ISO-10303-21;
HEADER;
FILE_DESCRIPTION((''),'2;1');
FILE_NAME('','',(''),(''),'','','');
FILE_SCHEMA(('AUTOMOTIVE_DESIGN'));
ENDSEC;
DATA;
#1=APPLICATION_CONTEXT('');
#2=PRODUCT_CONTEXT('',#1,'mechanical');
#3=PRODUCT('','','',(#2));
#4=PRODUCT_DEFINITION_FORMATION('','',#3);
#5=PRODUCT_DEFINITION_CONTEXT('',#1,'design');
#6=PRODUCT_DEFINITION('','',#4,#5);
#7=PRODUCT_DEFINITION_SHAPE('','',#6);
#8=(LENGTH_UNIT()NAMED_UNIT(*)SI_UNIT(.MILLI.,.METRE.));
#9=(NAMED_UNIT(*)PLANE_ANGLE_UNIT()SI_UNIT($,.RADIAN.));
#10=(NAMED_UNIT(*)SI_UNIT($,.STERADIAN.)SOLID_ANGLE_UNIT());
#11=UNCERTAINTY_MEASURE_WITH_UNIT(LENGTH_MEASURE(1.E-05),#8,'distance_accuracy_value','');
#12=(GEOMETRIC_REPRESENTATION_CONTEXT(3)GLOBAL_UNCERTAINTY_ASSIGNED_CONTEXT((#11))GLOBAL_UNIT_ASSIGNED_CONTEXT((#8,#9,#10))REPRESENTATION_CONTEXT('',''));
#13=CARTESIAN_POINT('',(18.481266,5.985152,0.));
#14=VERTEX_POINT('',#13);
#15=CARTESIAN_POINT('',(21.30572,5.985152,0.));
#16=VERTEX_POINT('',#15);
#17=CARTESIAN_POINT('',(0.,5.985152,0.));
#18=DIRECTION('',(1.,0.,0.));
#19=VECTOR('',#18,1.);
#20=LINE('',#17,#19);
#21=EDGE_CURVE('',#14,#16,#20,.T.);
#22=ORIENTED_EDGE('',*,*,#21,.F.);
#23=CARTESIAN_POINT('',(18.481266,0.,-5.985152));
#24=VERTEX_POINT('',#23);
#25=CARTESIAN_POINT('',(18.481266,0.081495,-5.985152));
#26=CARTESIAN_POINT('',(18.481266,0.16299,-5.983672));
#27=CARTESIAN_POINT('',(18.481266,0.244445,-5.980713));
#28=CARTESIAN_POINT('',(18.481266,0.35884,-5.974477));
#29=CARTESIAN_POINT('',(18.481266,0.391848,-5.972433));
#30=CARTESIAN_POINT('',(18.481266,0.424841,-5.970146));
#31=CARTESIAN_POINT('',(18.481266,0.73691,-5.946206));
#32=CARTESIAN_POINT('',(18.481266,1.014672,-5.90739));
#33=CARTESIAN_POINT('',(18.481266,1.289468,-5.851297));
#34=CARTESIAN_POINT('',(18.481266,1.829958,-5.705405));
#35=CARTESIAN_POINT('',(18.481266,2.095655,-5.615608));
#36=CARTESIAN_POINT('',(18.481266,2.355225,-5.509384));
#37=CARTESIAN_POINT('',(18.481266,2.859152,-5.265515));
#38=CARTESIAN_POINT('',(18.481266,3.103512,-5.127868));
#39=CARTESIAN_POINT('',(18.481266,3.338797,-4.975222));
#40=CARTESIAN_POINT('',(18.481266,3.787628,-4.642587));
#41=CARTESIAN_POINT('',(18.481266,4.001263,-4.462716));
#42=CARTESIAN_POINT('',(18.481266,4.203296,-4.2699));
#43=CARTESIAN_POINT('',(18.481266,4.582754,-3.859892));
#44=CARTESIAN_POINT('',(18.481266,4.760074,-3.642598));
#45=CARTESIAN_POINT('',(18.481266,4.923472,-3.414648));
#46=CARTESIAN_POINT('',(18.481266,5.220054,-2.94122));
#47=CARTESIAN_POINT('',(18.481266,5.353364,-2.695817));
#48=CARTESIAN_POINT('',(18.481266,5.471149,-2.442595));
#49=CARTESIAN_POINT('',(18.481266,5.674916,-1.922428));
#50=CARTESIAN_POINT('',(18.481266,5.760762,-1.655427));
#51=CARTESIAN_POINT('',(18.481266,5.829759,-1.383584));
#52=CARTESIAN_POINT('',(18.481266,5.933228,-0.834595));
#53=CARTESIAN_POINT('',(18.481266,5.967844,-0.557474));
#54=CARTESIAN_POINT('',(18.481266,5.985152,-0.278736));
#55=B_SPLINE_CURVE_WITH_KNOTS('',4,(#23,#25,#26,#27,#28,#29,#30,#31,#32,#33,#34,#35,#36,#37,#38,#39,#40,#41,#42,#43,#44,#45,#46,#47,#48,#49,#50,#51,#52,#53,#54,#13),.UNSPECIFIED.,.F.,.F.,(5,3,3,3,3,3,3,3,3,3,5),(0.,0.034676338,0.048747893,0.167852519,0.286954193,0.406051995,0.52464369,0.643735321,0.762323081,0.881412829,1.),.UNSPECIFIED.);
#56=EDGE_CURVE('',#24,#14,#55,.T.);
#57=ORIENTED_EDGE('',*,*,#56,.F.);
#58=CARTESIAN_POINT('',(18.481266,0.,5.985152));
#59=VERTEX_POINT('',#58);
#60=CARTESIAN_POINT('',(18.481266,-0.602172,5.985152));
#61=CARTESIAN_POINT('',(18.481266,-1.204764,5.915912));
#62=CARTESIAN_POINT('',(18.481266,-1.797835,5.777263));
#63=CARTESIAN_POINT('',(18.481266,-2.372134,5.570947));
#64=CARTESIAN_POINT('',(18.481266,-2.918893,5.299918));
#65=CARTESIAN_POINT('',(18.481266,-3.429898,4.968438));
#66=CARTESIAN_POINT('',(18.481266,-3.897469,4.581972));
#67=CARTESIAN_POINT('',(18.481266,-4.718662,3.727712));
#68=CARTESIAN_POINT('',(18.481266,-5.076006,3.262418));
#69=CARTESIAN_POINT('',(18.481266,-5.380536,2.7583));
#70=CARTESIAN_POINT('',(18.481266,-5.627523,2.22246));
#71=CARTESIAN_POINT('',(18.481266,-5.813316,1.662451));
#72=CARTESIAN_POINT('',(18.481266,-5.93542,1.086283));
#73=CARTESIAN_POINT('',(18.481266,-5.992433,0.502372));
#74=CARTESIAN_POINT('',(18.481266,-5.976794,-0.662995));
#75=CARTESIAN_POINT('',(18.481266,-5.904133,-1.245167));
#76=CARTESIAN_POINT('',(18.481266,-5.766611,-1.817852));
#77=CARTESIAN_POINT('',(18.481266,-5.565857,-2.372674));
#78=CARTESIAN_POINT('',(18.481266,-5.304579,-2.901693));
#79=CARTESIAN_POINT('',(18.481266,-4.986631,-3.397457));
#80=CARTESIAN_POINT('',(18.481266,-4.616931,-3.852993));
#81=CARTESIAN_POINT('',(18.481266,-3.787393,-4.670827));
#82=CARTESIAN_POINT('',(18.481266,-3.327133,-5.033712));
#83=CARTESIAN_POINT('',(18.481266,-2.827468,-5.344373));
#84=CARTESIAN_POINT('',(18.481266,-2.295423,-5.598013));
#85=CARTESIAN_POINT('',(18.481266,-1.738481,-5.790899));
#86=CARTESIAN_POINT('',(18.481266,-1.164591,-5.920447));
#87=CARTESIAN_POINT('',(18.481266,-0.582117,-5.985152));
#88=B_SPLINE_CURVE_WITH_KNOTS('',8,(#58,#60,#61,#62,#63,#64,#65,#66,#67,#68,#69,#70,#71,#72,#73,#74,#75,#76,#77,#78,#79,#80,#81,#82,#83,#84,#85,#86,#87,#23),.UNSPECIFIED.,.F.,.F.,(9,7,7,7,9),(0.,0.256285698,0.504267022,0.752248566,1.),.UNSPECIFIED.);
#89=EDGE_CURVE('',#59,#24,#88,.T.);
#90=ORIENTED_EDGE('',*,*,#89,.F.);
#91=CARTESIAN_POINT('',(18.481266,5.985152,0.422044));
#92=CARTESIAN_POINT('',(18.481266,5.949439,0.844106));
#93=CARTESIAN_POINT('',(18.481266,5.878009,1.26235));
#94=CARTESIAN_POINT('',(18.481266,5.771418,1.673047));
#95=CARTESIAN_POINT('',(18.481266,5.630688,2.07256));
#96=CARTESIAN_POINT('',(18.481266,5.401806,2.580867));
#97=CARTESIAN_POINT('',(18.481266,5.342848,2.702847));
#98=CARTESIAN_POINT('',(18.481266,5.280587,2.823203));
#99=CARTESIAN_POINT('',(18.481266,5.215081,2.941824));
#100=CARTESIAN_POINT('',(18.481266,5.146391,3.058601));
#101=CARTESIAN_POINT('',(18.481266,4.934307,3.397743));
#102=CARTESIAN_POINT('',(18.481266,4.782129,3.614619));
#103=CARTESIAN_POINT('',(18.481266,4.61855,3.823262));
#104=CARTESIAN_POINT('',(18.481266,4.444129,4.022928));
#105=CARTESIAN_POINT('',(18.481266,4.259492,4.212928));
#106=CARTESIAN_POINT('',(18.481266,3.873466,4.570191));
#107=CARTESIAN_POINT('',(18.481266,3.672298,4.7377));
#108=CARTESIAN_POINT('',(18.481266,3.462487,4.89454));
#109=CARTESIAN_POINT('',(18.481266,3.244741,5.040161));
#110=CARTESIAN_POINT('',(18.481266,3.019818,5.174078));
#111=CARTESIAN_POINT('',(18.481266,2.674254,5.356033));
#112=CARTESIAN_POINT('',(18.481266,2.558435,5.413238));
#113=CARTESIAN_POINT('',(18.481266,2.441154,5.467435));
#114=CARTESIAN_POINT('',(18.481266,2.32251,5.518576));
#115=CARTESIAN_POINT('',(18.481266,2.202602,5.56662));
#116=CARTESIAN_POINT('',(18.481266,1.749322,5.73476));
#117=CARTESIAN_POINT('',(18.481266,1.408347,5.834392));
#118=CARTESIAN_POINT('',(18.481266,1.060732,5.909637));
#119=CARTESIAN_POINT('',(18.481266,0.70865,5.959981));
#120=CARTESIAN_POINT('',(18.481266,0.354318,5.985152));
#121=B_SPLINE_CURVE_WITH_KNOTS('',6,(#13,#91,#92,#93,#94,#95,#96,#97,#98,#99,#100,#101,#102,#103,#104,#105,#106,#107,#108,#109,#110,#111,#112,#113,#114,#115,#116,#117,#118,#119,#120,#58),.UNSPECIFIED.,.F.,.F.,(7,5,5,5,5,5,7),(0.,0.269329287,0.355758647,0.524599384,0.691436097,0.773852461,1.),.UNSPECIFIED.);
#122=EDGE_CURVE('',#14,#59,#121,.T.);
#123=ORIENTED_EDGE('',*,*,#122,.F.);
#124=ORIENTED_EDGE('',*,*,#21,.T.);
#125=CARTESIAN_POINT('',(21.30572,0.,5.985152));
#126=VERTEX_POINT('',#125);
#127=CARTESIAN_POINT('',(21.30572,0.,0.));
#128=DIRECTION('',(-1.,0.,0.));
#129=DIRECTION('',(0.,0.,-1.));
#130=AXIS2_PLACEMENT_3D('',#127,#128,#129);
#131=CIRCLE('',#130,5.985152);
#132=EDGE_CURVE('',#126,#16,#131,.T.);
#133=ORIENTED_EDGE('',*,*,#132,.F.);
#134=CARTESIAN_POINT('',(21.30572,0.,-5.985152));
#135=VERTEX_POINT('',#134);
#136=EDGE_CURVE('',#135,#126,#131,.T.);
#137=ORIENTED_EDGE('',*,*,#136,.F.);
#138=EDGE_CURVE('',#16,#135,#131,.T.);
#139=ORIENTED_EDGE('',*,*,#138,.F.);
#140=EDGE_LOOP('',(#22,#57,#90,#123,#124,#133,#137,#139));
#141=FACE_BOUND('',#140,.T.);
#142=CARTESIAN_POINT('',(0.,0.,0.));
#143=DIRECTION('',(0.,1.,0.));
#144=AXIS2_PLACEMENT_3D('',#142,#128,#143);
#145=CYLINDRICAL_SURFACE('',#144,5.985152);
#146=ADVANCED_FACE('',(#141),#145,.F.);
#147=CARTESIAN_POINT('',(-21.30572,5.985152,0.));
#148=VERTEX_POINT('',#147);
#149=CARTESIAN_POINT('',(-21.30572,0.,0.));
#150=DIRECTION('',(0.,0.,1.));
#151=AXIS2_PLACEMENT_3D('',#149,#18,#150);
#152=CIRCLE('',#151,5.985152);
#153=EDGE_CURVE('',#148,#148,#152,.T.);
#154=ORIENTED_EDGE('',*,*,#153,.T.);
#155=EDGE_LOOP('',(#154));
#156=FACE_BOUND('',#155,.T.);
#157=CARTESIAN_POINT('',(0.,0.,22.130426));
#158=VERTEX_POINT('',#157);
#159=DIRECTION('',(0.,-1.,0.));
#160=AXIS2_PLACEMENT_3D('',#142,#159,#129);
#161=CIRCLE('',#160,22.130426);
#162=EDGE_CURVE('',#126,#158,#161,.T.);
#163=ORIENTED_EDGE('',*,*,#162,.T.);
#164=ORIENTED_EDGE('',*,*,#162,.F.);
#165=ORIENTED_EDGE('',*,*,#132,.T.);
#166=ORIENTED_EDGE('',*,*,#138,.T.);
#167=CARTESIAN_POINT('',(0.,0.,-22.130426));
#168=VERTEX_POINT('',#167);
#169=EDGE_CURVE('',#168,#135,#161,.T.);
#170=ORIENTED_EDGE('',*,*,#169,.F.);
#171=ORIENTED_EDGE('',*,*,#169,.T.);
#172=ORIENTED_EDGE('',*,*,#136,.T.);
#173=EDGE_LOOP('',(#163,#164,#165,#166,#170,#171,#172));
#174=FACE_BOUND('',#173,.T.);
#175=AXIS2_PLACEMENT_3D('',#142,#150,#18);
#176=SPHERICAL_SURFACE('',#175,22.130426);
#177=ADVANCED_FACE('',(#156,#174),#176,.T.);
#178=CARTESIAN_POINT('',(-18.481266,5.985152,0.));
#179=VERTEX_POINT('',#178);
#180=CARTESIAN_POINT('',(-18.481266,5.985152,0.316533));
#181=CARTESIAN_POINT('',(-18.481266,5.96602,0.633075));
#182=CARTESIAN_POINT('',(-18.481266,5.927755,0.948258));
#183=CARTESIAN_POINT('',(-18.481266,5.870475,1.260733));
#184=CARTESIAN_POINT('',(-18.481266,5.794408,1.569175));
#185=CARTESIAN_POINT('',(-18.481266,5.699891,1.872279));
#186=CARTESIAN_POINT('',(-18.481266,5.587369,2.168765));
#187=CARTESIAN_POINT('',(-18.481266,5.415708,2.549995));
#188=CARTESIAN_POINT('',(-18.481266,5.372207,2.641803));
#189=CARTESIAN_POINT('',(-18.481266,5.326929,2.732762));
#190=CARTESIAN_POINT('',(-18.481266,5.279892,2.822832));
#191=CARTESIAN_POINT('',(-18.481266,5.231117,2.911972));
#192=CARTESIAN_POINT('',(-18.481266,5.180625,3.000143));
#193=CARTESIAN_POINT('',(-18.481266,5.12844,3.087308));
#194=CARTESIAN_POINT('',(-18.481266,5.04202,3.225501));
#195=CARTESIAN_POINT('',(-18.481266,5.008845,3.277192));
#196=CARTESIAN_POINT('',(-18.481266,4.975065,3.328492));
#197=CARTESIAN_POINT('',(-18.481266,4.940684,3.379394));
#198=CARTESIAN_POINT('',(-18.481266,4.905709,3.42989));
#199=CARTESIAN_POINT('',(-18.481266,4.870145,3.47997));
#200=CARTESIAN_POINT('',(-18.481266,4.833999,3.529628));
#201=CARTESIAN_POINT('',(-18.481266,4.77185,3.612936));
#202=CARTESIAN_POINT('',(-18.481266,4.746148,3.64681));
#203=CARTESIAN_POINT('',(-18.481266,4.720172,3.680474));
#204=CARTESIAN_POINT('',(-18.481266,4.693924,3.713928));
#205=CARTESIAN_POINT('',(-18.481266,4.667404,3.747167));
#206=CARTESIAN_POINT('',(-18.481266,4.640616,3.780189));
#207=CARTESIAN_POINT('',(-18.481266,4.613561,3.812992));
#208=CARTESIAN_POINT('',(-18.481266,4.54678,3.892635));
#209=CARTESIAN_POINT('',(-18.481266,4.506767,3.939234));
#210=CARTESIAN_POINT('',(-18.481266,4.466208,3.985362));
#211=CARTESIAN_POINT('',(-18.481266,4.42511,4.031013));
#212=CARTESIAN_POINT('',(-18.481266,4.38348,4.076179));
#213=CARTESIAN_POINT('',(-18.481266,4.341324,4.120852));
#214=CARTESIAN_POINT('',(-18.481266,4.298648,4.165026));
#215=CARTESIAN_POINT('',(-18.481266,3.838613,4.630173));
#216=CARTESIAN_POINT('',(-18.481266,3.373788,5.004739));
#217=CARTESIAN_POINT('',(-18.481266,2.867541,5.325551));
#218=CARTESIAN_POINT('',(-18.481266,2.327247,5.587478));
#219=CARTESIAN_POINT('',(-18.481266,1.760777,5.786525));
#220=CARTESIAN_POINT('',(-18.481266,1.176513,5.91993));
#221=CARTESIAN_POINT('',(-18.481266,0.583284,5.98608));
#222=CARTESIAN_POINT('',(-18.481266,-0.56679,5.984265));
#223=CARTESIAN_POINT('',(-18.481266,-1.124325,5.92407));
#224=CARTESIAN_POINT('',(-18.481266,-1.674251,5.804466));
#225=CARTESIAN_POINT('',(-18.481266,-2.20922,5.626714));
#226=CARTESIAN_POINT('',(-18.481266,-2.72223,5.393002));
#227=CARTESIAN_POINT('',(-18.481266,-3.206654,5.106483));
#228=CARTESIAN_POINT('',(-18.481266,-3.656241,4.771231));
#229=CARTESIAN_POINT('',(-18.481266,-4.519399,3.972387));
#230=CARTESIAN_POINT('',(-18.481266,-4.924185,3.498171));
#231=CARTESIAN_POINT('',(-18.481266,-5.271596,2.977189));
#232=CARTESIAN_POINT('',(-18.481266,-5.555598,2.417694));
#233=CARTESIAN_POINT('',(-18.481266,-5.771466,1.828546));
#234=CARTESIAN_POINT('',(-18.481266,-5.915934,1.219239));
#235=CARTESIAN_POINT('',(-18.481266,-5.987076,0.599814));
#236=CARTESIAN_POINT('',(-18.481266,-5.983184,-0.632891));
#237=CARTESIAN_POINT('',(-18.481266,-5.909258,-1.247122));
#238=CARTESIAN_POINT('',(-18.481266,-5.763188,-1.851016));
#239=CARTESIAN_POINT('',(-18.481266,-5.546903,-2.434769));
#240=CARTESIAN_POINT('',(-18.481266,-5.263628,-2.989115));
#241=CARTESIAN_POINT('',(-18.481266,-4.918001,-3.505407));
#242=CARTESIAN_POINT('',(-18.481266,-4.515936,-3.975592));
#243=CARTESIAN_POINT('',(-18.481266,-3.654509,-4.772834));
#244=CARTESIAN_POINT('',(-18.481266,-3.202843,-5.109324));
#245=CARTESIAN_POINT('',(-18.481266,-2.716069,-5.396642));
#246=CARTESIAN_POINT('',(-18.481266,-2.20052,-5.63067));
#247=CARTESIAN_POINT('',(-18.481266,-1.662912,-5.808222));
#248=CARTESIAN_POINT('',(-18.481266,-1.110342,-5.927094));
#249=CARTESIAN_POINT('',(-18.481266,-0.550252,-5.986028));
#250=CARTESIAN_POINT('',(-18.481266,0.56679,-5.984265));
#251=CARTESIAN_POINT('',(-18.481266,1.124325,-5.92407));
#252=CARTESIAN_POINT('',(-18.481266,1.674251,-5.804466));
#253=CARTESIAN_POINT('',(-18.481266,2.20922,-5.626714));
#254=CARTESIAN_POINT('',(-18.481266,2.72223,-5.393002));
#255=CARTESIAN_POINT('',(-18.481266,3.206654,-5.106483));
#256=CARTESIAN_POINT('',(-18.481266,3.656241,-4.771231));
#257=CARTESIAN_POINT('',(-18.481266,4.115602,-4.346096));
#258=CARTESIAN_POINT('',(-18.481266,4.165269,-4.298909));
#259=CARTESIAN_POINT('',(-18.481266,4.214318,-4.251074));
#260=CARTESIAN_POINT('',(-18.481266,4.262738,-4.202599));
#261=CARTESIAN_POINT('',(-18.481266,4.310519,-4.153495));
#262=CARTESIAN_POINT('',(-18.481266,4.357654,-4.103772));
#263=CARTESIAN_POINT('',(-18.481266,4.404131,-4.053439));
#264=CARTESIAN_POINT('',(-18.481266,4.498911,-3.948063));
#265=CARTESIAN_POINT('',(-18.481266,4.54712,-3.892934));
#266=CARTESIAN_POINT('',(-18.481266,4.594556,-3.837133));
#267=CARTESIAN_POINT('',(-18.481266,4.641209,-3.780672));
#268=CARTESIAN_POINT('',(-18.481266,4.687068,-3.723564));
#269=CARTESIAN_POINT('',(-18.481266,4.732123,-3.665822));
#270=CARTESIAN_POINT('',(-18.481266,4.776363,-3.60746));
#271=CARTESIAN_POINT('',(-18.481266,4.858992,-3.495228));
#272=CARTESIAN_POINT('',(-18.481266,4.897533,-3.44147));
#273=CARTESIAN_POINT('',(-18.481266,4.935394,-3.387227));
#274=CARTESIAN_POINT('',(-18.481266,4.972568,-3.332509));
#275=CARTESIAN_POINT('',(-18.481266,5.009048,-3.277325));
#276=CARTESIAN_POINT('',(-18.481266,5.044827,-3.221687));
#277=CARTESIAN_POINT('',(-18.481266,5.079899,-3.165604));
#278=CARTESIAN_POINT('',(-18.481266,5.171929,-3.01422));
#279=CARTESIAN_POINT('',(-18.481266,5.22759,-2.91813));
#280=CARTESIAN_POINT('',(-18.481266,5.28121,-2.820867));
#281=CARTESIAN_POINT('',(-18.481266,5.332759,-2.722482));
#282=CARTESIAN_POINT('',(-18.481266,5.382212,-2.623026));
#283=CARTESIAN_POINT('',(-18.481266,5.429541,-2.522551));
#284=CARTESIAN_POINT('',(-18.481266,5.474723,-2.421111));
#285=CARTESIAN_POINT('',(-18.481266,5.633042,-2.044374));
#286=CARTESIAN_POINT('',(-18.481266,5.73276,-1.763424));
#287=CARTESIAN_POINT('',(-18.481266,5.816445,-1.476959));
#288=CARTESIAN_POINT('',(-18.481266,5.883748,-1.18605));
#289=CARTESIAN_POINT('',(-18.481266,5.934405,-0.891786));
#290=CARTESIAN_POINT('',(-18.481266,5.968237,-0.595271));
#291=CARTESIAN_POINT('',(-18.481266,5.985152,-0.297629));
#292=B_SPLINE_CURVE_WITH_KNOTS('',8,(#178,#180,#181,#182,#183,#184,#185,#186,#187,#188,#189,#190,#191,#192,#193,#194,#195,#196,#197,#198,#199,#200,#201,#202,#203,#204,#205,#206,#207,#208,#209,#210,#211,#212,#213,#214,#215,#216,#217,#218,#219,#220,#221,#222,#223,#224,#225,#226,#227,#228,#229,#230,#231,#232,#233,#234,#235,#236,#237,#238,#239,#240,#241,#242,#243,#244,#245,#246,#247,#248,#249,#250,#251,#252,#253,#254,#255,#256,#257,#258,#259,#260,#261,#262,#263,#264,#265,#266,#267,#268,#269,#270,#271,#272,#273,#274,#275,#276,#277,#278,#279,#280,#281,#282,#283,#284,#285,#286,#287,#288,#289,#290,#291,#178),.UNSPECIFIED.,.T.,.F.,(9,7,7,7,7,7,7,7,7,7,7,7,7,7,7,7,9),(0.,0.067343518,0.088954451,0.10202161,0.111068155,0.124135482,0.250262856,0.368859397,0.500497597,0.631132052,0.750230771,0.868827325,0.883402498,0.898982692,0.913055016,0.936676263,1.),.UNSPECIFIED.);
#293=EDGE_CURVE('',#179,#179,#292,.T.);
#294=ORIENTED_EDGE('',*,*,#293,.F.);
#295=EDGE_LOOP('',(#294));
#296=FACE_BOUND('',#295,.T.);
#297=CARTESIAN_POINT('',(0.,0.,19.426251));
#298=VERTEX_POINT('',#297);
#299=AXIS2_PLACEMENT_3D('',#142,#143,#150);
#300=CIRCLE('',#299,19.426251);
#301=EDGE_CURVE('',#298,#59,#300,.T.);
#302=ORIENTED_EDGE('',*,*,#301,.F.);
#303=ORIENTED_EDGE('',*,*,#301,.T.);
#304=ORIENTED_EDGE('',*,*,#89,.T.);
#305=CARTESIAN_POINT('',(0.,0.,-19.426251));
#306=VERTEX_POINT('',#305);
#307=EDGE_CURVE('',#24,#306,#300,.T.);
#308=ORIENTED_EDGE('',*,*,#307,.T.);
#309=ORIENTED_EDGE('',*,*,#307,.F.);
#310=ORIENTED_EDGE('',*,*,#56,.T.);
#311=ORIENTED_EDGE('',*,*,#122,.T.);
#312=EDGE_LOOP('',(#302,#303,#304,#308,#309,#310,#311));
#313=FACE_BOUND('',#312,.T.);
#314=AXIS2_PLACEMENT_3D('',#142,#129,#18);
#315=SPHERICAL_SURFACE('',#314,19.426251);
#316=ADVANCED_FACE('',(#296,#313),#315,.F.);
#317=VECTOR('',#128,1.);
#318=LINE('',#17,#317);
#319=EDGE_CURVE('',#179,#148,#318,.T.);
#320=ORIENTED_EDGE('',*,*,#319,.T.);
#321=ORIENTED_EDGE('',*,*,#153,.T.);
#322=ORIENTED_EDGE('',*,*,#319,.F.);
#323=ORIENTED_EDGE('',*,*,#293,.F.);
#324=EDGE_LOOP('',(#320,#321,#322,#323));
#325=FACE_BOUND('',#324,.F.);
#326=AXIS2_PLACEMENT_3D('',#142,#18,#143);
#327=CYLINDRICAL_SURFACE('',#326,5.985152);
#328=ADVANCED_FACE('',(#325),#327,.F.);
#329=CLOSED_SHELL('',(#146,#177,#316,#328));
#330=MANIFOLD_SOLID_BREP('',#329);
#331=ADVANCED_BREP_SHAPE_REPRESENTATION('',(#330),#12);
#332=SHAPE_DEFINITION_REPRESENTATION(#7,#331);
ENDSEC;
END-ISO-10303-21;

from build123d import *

# Parameters (mm, degrees)
F2_R     = 5.985152
F3_DEPTH = 25.4
F4_DEPTH = 25.4


with BuildPart() as f1:
    # F0 (on Front) → F1 (revolve)
    with BuildSketch(Plane.XZ):
        with BuildLine():
            Line((0, 22.130426), (0, 19.426251))
            ThreePointArc((0, 19.426251), (19.426251, 0), (0, -19.426251))
            Line((0, -19.426251), (0, -22.130426))
            ThreePointArc((0, -22.130426), (22.130426, 0), (0, 22.130426))
        make_face()
    revolve(axis=Axis((0, 0, 11.065213), (0, 0, 1)))

    # F2 (on Right) → F3 (cut)
    with BuildSketch(Plane.YZ):
        Circle(F2_R)
    extrude(amount=-F3_DEPTH, mode=Mode.SUBTRACT)

    # F2 (on Right) → F4 (cut)
    with BuildSketch(Plane.YZ):
        Circle(F2_R)
    extrude(amount=F4_DEPTH, mode=Mode.SUBTRACT)


solid = f1.part
